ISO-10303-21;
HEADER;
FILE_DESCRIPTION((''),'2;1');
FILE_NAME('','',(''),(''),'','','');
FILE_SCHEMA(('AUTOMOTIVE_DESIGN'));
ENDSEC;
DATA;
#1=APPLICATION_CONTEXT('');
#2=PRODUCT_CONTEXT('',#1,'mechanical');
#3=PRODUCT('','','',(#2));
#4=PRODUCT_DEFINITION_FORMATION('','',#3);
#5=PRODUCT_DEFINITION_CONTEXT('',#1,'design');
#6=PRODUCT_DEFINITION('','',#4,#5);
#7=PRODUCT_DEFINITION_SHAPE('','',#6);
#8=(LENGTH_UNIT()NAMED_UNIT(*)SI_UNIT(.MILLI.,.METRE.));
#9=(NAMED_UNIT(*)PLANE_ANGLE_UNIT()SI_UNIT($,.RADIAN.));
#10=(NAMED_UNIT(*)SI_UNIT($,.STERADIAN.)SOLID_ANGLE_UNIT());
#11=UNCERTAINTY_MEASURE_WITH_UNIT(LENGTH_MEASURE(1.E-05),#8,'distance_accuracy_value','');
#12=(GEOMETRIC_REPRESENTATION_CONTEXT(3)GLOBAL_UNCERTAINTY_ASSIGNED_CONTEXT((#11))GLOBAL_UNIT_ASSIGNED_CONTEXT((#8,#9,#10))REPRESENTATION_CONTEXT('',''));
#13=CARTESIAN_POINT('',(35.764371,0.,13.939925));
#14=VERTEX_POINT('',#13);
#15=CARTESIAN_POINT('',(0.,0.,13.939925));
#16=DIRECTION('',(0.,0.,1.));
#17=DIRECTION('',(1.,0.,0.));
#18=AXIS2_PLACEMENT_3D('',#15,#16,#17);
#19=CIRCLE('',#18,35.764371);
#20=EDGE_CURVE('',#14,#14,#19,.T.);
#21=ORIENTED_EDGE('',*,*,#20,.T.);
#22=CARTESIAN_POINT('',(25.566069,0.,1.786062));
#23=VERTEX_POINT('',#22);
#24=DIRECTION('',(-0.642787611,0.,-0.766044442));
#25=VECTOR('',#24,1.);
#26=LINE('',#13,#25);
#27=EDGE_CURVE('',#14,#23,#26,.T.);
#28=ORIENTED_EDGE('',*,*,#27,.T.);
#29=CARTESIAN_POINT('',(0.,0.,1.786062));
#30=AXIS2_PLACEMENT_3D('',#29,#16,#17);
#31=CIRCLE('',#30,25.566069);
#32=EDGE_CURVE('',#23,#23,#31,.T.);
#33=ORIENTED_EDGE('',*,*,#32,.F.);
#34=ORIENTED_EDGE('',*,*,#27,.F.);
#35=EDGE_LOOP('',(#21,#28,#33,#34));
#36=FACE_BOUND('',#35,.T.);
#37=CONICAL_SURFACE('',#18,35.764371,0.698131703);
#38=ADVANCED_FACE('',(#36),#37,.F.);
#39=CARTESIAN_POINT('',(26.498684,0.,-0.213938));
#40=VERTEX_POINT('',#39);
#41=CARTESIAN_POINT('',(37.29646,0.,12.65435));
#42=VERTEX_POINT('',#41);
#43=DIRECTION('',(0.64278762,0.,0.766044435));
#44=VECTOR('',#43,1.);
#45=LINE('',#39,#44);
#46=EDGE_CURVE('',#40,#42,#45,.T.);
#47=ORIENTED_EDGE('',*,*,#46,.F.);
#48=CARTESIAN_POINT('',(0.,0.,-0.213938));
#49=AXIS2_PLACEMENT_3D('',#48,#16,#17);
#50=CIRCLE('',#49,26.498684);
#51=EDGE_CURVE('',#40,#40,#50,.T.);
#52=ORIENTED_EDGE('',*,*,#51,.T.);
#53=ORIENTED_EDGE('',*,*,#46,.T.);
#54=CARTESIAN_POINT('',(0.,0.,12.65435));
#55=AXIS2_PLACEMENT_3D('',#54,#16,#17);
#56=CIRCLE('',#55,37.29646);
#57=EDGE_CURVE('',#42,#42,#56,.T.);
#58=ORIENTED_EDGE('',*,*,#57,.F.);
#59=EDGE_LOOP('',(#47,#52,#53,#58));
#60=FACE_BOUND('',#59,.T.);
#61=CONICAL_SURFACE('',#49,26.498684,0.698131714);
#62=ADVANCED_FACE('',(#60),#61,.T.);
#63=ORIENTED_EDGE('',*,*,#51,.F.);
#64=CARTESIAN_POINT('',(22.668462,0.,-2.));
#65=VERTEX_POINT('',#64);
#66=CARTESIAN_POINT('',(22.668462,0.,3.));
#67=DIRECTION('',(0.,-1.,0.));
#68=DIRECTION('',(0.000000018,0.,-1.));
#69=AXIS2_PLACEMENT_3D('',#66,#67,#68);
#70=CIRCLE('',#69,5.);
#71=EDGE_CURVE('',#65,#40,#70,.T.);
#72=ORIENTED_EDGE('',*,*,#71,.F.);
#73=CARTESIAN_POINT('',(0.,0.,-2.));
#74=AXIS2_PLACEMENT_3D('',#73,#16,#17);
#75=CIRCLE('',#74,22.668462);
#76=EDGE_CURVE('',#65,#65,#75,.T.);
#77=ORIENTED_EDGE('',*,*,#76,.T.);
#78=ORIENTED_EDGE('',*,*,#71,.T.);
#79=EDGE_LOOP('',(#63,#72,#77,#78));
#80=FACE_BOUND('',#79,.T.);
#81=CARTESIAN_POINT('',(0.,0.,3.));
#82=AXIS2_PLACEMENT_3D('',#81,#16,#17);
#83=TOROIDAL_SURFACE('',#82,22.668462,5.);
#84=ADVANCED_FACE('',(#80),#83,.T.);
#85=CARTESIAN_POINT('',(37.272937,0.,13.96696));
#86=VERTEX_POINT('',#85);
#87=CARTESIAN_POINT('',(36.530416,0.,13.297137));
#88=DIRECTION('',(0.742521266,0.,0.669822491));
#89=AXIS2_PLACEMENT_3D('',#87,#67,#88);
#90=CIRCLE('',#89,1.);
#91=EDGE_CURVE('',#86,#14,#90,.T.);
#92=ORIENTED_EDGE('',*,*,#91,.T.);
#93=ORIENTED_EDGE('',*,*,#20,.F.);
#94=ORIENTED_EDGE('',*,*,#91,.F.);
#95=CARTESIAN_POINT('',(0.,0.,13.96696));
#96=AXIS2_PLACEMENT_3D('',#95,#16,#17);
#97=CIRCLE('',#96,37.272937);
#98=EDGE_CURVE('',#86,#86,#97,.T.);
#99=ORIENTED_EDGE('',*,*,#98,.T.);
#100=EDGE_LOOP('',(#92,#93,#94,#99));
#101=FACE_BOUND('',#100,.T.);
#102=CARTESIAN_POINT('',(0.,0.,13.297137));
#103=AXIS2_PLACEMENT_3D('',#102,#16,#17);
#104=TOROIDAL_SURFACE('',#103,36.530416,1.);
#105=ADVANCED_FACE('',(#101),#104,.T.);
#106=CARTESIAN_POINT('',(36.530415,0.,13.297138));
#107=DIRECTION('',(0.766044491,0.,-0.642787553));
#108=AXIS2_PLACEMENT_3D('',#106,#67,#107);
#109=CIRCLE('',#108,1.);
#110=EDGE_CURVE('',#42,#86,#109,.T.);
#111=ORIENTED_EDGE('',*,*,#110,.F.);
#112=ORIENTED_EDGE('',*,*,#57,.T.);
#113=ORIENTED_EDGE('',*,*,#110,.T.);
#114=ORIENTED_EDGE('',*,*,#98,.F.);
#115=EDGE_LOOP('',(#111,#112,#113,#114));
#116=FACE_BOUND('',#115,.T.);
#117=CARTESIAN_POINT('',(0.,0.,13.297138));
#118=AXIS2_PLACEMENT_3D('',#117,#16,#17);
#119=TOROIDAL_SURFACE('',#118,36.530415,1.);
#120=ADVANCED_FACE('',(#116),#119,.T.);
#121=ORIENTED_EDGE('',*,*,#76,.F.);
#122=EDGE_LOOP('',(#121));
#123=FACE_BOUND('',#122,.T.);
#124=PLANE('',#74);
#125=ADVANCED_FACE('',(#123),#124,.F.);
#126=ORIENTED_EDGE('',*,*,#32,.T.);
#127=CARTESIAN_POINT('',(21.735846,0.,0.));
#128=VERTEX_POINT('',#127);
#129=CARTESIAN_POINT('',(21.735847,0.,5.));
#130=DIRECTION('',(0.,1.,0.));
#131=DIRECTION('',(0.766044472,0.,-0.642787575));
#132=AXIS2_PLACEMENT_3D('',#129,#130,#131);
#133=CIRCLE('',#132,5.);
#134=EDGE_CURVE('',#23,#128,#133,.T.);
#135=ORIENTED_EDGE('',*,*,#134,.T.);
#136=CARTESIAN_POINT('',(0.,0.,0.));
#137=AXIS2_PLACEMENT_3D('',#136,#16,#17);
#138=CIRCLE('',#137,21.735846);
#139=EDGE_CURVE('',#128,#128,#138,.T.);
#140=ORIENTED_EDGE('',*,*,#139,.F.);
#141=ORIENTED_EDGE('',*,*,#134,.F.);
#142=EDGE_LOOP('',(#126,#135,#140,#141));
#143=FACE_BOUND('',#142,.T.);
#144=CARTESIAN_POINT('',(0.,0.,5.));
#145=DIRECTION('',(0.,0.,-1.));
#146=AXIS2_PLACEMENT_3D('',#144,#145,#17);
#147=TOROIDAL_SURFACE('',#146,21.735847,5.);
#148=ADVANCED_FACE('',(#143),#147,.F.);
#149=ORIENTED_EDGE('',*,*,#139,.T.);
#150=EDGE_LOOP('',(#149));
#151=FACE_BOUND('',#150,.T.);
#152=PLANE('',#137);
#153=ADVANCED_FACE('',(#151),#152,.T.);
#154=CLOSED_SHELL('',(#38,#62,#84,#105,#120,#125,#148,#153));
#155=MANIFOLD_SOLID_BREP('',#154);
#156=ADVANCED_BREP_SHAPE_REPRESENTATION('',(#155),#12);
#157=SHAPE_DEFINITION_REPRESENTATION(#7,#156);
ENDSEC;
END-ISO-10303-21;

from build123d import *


with BuildPart() as f1:
    # F0 (on Front) → F1 (revolve)
    with BuildSketch(Plane.XZ):
        with BuildLine():
            Line((21.735846, 0), (0, 0))
            Line((0, 0), (0, -2))
            Line((0, -2), (22.668462, -2))
            ThreePointArc((22.668462, -2), (24.781553, -1.531539), (26.498684, -0.213938))
            Line((26.498684, -0.213938), (37.29646, 12.65435))
            ThreePointArc((37.29646, 12.65435), (37.530255, 13.315056), (37.272937, 13.96696))
            ThreePointArc((37.272937, 13.96696), (36.512497, 14.296977), (35.764371, 13.939925))
            Line((35.764371, 13.939925), (25.566069, 1.786062))
            ThreePointArc((25.566069, 1.786062), (23.848938, 0.468461), (21.735846, 0))
        make_face()
    revolve(axis=Axis((0, 0, 22.936326), (0, 0, 1)))


solid = f1.part
